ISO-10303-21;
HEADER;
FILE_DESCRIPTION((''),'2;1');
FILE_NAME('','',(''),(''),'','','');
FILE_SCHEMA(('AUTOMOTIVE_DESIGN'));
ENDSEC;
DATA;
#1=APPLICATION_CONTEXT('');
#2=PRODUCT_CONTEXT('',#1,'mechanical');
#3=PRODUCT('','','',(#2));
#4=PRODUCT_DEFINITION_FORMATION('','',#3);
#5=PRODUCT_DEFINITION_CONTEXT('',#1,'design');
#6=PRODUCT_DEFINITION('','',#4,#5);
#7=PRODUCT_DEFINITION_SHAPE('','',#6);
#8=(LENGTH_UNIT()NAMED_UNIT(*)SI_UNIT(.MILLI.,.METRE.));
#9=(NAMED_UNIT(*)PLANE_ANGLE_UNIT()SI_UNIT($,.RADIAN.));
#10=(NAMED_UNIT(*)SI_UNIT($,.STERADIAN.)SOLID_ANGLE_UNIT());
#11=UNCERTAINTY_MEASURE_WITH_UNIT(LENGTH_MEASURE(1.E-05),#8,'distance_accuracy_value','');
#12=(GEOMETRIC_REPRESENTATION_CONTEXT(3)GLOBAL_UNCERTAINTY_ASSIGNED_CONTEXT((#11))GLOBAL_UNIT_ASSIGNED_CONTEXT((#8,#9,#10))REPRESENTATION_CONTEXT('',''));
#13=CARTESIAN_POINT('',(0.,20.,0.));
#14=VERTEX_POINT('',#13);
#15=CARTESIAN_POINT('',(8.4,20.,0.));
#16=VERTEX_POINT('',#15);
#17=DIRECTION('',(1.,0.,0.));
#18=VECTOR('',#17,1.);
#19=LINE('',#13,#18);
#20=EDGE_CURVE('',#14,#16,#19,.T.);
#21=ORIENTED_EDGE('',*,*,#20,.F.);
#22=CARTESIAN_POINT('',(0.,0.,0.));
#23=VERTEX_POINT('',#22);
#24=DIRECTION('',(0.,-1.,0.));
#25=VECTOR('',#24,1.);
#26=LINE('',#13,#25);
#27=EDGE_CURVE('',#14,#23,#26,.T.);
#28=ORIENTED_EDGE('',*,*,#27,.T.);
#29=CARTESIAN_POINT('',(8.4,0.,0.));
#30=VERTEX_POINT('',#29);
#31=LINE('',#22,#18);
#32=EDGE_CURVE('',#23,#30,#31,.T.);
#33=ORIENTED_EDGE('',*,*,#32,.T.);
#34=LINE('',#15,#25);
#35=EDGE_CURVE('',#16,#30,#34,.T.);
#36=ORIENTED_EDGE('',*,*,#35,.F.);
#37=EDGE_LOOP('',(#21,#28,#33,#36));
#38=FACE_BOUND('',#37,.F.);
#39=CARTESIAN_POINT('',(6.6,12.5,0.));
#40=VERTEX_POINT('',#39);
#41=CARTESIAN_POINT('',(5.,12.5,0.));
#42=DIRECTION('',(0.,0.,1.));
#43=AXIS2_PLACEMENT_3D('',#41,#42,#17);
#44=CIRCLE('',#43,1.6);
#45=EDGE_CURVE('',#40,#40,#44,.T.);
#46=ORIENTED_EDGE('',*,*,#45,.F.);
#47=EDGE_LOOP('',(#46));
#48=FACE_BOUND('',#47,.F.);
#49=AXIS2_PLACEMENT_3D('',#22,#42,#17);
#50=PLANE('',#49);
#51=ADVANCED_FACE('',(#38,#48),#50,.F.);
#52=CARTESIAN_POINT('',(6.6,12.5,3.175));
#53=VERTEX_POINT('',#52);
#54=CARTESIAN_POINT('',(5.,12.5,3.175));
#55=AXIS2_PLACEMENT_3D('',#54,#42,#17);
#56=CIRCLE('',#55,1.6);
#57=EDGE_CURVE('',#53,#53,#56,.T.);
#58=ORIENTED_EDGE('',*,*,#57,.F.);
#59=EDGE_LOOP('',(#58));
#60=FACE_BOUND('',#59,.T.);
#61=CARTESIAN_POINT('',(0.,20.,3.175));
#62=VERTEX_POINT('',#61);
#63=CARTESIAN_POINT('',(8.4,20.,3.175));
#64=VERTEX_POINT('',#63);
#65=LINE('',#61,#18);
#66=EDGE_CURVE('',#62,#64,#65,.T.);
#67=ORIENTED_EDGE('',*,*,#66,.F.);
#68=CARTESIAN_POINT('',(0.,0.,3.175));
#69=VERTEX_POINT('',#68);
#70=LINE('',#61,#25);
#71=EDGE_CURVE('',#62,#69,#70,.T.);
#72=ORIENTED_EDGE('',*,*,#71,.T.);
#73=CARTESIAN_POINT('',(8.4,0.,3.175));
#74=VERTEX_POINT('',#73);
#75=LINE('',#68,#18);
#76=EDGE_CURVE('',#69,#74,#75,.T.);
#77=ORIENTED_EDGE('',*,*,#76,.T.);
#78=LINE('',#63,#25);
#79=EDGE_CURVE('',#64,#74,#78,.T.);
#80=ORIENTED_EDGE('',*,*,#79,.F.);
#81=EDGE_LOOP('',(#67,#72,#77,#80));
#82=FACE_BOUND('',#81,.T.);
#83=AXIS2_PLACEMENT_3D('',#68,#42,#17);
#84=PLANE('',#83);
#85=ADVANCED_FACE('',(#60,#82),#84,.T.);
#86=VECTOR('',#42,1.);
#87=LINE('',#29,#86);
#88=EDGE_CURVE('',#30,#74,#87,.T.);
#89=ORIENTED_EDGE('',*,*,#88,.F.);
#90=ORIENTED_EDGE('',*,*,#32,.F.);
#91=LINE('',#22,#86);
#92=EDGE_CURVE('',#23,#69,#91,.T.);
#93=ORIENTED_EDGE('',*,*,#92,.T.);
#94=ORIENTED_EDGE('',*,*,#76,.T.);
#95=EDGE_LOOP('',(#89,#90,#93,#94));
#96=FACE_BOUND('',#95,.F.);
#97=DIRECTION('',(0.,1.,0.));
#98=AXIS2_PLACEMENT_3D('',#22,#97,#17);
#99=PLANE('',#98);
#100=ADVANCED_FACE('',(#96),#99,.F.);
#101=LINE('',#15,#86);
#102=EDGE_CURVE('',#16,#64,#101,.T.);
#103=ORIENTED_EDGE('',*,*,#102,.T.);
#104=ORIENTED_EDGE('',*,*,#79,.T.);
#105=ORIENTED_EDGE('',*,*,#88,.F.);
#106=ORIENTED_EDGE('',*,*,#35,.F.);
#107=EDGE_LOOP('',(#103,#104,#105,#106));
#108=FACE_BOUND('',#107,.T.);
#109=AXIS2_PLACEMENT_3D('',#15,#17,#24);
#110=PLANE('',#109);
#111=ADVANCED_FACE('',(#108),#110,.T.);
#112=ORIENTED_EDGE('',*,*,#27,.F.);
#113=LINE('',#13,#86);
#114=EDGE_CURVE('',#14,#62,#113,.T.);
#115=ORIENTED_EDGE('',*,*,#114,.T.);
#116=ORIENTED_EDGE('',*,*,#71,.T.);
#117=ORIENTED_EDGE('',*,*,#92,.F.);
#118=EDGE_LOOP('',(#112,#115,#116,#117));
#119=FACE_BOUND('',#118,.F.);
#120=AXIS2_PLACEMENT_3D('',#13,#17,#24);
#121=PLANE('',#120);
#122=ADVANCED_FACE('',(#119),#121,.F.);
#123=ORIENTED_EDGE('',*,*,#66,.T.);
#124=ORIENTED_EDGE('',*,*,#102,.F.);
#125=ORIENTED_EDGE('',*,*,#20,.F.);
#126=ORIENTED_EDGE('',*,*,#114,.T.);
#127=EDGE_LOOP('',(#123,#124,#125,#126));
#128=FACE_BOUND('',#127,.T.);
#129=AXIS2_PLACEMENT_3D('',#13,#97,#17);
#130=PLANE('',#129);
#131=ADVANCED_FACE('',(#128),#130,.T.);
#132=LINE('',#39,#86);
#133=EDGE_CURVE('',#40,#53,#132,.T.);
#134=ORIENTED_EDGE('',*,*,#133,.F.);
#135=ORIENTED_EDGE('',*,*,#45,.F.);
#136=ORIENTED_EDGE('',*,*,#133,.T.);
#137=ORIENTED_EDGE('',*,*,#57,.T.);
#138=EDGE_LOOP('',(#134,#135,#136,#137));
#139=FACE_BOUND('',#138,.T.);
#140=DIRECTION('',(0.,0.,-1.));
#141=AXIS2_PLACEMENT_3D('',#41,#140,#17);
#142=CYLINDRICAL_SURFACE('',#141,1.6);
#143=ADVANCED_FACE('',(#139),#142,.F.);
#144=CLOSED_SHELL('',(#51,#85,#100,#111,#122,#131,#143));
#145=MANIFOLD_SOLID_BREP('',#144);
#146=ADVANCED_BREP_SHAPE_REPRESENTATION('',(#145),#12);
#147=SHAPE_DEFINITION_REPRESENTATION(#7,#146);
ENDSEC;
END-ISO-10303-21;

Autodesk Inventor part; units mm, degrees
ref_plane "YZ Plane" through (0, 0, 0) normal (1, 0, 0) x (0, 1, 0)
ref_plane "XZ Plane" through (0, 0, 0) normal (0, 1, 0) x (-1, 0, 0)
ref_plane "XY Plane" through (0, 0, 0) normal (0, 0, 1) x (1, 0, 0)
sketch "Sketch1" plane through (0, 0, 0) normal (0, 0, 1) x (1, 0, 0)
  line L0 (0, 20) -> (0, 0)
  circle A0 centre (5, 12.5) radius 1.6
  line L1 (8.4, 20) -> (8.4, 0)
  line L2 (0, 20) -> (8.4, 20)
  line L3 (0, 0) -> (8.4, 0)
  dimension "d2" = 3.2
  dimension "d3" = 5
  dimension "d12" = 8.4
  dimension "d14" = 7.5
  dimension "d15" = 8.4
  dimension "d16" = 20
extrude "Extrusion1" add sketch "Sketch1" along normal blind 3.175
equation "\"d12\" = d13"
equation "\"d13\" = 8.4"
properties part number "Effector_ZProbe_B"
